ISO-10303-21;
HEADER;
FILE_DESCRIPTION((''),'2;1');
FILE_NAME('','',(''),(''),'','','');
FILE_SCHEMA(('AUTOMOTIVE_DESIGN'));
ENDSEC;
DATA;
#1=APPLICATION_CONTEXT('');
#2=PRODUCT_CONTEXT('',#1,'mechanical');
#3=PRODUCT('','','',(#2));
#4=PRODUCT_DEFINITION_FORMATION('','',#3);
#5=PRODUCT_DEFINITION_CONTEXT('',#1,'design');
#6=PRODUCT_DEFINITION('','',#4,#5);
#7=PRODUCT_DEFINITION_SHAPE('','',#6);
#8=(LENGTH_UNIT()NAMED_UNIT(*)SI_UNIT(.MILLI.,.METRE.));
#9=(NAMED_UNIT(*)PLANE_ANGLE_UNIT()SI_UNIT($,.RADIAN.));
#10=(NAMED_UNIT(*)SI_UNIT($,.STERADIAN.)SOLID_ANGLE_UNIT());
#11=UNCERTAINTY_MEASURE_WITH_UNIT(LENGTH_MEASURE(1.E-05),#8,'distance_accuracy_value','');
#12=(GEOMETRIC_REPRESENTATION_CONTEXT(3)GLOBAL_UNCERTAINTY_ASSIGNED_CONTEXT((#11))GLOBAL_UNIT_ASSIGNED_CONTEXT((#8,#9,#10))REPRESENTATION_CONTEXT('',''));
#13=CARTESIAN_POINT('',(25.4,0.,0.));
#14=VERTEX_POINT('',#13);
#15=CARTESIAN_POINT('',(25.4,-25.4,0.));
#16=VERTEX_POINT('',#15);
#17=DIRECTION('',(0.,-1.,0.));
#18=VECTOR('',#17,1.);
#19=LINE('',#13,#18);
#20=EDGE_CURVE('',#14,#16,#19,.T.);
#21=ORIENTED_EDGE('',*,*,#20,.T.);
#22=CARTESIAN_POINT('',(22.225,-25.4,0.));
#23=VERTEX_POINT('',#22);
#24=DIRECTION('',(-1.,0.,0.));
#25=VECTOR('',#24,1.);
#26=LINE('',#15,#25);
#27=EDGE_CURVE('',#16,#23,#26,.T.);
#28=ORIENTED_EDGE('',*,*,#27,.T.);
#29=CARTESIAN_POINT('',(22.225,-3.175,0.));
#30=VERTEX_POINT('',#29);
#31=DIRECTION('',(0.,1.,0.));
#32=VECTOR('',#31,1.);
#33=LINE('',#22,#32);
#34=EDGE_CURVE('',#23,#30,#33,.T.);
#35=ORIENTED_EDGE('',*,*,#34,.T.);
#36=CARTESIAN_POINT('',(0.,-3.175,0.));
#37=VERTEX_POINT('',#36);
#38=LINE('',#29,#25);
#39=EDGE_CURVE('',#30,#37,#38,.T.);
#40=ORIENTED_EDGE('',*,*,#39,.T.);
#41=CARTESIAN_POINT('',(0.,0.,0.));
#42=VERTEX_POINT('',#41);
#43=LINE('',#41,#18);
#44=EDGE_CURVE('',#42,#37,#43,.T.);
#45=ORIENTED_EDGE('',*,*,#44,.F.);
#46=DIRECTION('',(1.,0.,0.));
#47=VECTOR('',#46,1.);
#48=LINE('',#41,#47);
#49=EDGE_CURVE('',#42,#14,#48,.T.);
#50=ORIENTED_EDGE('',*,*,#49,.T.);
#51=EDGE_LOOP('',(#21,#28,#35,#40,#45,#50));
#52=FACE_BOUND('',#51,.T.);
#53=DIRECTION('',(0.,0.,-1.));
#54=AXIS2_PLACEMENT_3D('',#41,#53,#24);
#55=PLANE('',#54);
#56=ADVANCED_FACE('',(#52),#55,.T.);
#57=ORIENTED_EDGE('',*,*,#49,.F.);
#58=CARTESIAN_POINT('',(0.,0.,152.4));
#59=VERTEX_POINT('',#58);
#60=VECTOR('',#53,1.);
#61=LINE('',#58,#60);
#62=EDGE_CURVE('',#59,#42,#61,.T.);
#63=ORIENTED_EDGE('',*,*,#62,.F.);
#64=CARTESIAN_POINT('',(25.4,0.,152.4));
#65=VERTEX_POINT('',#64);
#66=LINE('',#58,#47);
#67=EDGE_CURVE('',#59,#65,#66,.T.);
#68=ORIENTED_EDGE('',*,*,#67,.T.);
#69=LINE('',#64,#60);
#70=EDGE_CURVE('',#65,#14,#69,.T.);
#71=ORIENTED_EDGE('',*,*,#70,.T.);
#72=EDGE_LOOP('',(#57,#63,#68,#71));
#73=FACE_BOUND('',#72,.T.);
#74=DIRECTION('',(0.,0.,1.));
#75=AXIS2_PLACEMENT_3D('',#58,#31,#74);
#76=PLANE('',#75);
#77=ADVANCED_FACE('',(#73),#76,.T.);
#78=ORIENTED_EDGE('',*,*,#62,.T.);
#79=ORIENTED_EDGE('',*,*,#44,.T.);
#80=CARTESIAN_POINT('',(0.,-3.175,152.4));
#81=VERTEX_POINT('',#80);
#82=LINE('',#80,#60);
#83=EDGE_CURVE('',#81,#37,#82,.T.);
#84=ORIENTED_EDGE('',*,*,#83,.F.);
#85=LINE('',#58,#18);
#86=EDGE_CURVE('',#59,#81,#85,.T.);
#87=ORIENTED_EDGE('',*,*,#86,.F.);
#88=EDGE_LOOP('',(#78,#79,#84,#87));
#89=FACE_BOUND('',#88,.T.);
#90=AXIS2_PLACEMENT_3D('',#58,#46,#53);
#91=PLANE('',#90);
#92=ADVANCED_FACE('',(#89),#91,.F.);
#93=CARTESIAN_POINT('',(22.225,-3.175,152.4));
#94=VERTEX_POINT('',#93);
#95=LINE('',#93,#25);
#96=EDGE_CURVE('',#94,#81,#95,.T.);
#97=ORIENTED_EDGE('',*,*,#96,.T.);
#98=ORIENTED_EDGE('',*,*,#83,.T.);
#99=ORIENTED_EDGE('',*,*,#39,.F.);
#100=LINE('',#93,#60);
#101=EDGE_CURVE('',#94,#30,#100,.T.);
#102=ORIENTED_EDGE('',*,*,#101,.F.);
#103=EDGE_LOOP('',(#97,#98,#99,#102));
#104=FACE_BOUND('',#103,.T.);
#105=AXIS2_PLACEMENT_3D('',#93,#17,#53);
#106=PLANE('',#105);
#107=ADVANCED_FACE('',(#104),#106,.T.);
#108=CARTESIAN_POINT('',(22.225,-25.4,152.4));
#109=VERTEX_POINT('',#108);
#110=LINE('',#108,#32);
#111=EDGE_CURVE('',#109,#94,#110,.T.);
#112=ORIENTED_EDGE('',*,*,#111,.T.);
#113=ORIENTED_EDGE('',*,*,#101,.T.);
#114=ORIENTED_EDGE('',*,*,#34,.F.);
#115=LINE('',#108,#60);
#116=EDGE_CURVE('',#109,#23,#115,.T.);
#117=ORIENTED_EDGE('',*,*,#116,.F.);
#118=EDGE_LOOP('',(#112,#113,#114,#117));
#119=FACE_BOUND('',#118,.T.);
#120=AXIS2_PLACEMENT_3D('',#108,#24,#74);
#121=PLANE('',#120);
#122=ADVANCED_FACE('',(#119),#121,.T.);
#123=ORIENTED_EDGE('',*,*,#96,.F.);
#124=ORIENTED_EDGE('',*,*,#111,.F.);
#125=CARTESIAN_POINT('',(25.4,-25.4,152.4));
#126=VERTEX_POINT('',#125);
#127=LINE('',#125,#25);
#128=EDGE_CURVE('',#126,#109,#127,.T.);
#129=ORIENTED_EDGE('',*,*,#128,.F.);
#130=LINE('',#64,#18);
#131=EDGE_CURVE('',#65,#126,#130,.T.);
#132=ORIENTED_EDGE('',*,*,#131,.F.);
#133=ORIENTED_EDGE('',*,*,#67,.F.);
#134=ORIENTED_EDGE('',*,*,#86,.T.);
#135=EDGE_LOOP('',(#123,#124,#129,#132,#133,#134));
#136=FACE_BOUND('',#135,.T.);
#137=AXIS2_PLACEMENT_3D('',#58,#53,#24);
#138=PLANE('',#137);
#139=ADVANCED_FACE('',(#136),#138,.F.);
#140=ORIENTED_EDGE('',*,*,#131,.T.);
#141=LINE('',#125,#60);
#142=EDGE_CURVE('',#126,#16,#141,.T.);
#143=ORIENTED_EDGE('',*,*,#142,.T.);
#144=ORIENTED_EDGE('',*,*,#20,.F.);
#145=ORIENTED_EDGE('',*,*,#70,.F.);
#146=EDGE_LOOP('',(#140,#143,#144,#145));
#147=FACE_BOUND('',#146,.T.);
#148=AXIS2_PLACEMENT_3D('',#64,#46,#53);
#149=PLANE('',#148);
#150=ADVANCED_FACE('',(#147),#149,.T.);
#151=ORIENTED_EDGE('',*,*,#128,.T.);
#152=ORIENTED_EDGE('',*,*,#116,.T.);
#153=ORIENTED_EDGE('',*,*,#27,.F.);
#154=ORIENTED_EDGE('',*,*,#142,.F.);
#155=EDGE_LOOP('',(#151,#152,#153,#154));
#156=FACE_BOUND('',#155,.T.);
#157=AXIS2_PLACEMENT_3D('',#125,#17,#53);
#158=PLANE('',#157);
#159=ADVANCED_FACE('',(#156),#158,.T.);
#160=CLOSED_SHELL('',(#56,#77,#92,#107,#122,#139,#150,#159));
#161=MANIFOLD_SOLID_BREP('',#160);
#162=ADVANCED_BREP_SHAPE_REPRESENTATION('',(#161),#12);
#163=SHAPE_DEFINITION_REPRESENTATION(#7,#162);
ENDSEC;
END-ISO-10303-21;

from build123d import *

# Parameters (mm, degrees)
BOSS_EXTRUDE1_DEPTH = 152.4


with BuildPart() as part:
    # Sketch1 → Boss-Extrude1 (new body)
    with BuildSketch(Plane.XY):
        Polygon((0, 0), (25.4, 0), (25.4, -25.4), (22.225, -25.4), (22.225, -3.175), (0, -3.175), align=None)
    extrude(amount=BOSS_EXTRUDE1_DEPTH)


solid = part.part
